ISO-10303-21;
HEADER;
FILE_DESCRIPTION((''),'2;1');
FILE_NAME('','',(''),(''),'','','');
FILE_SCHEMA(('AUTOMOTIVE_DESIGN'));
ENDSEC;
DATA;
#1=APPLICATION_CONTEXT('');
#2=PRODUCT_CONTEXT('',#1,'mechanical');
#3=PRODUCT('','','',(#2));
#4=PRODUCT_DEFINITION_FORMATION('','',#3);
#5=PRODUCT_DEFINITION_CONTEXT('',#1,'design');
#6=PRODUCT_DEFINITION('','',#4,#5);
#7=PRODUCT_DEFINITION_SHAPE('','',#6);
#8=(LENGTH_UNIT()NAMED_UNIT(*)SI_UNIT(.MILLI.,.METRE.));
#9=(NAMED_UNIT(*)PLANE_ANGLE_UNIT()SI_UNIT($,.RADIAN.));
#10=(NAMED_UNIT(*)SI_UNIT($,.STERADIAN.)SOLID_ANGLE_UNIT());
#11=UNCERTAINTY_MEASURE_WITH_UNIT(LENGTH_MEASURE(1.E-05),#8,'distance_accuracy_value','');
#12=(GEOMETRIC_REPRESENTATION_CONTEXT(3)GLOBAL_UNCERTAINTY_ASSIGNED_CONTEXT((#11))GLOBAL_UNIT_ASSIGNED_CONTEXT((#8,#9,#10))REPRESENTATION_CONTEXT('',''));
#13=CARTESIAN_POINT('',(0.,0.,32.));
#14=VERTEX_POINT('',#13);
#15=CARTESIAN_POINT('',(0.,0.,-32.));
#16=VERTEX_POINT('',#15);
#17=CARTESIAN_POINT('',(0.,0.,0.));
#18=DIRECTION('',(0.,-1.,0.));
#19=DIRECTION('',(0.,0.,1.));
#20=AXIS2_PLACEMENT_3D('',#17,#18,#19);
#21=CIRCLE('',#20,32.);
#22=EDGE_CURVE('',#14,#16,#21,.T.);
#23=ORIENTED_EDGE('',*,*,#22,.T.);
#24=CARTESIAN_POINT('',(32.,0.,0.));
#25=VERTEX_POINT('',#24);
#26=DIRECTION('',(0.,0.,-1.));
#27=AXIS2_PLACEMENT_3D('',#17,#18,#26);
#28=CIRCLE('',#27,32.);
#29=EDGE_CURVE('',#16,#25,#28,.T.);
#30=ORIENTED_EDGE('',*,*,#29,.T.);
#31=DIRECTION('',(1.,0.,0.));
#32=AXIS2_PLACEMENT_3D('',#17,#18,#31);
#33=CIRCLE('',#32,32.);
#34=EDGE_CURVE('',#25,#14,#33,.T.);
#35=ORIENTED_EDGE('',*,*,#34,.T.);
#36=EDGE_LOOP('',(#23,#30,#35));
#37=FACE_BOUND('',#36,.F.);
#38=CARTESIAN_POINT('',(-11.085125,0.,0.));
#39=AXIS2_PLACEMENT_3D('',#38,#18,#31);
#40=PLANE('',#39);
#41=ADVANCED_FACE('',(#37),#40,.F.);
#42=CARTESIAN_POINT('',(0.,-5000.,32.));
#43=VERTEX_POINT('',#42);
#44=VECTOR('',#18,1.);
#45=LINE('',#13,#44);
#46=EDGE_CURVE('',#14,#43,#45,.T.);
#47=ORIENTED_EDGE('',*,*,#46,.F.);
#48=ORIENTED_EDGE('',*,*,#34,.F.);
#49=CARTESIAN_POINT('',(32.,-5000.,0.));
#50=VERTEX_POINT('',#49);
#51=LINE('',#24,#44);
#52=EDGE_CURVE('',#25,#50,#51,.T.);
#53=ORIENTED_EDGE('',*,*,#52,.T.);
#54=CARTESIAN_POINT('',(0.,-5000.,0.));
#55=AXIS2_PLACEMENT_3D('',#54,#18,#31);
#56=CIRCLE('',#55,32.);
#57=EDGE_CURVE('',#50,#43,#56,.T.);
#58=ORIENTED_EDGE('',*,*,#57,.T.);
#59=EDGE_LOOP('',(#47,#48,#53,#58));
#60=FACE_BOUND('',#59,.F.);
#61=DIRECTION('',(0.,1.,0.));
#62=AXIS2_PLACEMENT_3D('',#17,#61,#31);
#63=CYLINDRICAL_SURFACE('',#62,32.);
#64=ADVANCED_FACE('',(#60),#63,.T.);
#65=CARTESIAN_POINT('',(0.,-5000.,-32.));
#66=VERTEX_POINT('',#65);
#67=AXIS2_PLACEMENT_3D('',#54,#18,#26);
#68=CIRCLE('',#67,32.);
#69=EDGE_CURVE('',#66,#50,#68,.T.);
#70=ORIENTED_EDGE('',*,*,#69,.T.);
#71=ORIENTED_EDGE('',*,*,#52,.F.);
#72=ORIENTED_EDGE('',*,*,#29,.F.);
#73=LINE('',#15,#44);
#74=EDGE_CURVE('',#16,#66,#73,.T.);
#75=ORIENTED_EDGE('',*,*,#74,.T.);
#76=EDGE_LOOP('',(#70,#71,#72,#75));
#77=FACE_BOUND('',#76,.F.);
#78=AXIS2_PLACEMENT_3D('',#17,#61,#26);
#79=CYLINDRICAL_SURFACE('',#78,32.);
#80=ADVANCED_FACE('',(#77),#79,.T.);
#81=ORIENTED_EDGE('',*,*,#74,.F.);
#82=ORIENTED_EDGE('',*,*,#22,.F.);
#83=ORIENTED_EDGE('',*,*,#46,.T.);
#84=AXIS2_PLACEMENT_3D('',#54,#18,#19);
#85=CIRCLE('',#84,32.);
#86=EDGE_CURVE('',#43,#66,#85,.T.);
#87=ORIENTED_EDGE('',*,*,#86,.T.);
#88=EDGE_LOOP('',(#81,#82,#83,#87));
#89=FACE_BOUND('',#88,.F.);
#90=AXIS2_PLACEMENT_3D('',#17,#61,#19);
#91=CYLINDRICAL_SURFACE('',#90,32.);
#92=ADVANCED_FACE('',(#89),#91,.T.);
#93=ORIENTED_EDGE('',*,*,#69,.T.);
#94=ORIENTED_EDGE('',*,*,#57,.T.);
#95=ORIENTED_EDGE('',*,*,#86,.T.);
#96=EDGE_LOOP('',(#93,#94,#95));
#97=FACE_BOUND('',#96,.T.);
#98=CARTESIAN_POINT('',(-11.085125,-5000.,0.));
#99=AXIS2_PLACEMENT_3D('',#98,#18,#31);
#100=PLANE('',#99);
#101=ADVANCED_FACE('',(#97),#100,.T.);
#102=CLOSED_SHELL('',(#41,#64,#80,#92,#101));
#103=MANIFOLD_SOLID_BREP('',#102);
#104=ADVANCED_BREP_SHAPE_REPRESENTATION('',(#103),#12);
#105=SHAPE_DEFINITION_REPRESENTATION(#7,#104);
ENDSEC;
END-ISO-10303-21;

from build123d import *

# Parameters (mm, degrees)
F1_DEPTH = 5000


with BuildPart() as f1:
    # F0 (on Front) → F1 (new body)
    with BuildSketch(Plane.XZ):
        with BuildLine():
            Line((0, -32), (0, 32))
            ThreePointArc((0, 32), (-32, 0), (0, -32))
        make_face()
        with BuildLine():
            ThreePointArc((0, -32), (22.627416998, -22.627416998), (32, 0))
            ThreePointArc((32, 0), (22.627416998, 22.627416998), (0, 32))
            Line((0, 32), (0, -32))
        make_face()
    extrude(amount=F1_DEPTH)


solid = f1.part
